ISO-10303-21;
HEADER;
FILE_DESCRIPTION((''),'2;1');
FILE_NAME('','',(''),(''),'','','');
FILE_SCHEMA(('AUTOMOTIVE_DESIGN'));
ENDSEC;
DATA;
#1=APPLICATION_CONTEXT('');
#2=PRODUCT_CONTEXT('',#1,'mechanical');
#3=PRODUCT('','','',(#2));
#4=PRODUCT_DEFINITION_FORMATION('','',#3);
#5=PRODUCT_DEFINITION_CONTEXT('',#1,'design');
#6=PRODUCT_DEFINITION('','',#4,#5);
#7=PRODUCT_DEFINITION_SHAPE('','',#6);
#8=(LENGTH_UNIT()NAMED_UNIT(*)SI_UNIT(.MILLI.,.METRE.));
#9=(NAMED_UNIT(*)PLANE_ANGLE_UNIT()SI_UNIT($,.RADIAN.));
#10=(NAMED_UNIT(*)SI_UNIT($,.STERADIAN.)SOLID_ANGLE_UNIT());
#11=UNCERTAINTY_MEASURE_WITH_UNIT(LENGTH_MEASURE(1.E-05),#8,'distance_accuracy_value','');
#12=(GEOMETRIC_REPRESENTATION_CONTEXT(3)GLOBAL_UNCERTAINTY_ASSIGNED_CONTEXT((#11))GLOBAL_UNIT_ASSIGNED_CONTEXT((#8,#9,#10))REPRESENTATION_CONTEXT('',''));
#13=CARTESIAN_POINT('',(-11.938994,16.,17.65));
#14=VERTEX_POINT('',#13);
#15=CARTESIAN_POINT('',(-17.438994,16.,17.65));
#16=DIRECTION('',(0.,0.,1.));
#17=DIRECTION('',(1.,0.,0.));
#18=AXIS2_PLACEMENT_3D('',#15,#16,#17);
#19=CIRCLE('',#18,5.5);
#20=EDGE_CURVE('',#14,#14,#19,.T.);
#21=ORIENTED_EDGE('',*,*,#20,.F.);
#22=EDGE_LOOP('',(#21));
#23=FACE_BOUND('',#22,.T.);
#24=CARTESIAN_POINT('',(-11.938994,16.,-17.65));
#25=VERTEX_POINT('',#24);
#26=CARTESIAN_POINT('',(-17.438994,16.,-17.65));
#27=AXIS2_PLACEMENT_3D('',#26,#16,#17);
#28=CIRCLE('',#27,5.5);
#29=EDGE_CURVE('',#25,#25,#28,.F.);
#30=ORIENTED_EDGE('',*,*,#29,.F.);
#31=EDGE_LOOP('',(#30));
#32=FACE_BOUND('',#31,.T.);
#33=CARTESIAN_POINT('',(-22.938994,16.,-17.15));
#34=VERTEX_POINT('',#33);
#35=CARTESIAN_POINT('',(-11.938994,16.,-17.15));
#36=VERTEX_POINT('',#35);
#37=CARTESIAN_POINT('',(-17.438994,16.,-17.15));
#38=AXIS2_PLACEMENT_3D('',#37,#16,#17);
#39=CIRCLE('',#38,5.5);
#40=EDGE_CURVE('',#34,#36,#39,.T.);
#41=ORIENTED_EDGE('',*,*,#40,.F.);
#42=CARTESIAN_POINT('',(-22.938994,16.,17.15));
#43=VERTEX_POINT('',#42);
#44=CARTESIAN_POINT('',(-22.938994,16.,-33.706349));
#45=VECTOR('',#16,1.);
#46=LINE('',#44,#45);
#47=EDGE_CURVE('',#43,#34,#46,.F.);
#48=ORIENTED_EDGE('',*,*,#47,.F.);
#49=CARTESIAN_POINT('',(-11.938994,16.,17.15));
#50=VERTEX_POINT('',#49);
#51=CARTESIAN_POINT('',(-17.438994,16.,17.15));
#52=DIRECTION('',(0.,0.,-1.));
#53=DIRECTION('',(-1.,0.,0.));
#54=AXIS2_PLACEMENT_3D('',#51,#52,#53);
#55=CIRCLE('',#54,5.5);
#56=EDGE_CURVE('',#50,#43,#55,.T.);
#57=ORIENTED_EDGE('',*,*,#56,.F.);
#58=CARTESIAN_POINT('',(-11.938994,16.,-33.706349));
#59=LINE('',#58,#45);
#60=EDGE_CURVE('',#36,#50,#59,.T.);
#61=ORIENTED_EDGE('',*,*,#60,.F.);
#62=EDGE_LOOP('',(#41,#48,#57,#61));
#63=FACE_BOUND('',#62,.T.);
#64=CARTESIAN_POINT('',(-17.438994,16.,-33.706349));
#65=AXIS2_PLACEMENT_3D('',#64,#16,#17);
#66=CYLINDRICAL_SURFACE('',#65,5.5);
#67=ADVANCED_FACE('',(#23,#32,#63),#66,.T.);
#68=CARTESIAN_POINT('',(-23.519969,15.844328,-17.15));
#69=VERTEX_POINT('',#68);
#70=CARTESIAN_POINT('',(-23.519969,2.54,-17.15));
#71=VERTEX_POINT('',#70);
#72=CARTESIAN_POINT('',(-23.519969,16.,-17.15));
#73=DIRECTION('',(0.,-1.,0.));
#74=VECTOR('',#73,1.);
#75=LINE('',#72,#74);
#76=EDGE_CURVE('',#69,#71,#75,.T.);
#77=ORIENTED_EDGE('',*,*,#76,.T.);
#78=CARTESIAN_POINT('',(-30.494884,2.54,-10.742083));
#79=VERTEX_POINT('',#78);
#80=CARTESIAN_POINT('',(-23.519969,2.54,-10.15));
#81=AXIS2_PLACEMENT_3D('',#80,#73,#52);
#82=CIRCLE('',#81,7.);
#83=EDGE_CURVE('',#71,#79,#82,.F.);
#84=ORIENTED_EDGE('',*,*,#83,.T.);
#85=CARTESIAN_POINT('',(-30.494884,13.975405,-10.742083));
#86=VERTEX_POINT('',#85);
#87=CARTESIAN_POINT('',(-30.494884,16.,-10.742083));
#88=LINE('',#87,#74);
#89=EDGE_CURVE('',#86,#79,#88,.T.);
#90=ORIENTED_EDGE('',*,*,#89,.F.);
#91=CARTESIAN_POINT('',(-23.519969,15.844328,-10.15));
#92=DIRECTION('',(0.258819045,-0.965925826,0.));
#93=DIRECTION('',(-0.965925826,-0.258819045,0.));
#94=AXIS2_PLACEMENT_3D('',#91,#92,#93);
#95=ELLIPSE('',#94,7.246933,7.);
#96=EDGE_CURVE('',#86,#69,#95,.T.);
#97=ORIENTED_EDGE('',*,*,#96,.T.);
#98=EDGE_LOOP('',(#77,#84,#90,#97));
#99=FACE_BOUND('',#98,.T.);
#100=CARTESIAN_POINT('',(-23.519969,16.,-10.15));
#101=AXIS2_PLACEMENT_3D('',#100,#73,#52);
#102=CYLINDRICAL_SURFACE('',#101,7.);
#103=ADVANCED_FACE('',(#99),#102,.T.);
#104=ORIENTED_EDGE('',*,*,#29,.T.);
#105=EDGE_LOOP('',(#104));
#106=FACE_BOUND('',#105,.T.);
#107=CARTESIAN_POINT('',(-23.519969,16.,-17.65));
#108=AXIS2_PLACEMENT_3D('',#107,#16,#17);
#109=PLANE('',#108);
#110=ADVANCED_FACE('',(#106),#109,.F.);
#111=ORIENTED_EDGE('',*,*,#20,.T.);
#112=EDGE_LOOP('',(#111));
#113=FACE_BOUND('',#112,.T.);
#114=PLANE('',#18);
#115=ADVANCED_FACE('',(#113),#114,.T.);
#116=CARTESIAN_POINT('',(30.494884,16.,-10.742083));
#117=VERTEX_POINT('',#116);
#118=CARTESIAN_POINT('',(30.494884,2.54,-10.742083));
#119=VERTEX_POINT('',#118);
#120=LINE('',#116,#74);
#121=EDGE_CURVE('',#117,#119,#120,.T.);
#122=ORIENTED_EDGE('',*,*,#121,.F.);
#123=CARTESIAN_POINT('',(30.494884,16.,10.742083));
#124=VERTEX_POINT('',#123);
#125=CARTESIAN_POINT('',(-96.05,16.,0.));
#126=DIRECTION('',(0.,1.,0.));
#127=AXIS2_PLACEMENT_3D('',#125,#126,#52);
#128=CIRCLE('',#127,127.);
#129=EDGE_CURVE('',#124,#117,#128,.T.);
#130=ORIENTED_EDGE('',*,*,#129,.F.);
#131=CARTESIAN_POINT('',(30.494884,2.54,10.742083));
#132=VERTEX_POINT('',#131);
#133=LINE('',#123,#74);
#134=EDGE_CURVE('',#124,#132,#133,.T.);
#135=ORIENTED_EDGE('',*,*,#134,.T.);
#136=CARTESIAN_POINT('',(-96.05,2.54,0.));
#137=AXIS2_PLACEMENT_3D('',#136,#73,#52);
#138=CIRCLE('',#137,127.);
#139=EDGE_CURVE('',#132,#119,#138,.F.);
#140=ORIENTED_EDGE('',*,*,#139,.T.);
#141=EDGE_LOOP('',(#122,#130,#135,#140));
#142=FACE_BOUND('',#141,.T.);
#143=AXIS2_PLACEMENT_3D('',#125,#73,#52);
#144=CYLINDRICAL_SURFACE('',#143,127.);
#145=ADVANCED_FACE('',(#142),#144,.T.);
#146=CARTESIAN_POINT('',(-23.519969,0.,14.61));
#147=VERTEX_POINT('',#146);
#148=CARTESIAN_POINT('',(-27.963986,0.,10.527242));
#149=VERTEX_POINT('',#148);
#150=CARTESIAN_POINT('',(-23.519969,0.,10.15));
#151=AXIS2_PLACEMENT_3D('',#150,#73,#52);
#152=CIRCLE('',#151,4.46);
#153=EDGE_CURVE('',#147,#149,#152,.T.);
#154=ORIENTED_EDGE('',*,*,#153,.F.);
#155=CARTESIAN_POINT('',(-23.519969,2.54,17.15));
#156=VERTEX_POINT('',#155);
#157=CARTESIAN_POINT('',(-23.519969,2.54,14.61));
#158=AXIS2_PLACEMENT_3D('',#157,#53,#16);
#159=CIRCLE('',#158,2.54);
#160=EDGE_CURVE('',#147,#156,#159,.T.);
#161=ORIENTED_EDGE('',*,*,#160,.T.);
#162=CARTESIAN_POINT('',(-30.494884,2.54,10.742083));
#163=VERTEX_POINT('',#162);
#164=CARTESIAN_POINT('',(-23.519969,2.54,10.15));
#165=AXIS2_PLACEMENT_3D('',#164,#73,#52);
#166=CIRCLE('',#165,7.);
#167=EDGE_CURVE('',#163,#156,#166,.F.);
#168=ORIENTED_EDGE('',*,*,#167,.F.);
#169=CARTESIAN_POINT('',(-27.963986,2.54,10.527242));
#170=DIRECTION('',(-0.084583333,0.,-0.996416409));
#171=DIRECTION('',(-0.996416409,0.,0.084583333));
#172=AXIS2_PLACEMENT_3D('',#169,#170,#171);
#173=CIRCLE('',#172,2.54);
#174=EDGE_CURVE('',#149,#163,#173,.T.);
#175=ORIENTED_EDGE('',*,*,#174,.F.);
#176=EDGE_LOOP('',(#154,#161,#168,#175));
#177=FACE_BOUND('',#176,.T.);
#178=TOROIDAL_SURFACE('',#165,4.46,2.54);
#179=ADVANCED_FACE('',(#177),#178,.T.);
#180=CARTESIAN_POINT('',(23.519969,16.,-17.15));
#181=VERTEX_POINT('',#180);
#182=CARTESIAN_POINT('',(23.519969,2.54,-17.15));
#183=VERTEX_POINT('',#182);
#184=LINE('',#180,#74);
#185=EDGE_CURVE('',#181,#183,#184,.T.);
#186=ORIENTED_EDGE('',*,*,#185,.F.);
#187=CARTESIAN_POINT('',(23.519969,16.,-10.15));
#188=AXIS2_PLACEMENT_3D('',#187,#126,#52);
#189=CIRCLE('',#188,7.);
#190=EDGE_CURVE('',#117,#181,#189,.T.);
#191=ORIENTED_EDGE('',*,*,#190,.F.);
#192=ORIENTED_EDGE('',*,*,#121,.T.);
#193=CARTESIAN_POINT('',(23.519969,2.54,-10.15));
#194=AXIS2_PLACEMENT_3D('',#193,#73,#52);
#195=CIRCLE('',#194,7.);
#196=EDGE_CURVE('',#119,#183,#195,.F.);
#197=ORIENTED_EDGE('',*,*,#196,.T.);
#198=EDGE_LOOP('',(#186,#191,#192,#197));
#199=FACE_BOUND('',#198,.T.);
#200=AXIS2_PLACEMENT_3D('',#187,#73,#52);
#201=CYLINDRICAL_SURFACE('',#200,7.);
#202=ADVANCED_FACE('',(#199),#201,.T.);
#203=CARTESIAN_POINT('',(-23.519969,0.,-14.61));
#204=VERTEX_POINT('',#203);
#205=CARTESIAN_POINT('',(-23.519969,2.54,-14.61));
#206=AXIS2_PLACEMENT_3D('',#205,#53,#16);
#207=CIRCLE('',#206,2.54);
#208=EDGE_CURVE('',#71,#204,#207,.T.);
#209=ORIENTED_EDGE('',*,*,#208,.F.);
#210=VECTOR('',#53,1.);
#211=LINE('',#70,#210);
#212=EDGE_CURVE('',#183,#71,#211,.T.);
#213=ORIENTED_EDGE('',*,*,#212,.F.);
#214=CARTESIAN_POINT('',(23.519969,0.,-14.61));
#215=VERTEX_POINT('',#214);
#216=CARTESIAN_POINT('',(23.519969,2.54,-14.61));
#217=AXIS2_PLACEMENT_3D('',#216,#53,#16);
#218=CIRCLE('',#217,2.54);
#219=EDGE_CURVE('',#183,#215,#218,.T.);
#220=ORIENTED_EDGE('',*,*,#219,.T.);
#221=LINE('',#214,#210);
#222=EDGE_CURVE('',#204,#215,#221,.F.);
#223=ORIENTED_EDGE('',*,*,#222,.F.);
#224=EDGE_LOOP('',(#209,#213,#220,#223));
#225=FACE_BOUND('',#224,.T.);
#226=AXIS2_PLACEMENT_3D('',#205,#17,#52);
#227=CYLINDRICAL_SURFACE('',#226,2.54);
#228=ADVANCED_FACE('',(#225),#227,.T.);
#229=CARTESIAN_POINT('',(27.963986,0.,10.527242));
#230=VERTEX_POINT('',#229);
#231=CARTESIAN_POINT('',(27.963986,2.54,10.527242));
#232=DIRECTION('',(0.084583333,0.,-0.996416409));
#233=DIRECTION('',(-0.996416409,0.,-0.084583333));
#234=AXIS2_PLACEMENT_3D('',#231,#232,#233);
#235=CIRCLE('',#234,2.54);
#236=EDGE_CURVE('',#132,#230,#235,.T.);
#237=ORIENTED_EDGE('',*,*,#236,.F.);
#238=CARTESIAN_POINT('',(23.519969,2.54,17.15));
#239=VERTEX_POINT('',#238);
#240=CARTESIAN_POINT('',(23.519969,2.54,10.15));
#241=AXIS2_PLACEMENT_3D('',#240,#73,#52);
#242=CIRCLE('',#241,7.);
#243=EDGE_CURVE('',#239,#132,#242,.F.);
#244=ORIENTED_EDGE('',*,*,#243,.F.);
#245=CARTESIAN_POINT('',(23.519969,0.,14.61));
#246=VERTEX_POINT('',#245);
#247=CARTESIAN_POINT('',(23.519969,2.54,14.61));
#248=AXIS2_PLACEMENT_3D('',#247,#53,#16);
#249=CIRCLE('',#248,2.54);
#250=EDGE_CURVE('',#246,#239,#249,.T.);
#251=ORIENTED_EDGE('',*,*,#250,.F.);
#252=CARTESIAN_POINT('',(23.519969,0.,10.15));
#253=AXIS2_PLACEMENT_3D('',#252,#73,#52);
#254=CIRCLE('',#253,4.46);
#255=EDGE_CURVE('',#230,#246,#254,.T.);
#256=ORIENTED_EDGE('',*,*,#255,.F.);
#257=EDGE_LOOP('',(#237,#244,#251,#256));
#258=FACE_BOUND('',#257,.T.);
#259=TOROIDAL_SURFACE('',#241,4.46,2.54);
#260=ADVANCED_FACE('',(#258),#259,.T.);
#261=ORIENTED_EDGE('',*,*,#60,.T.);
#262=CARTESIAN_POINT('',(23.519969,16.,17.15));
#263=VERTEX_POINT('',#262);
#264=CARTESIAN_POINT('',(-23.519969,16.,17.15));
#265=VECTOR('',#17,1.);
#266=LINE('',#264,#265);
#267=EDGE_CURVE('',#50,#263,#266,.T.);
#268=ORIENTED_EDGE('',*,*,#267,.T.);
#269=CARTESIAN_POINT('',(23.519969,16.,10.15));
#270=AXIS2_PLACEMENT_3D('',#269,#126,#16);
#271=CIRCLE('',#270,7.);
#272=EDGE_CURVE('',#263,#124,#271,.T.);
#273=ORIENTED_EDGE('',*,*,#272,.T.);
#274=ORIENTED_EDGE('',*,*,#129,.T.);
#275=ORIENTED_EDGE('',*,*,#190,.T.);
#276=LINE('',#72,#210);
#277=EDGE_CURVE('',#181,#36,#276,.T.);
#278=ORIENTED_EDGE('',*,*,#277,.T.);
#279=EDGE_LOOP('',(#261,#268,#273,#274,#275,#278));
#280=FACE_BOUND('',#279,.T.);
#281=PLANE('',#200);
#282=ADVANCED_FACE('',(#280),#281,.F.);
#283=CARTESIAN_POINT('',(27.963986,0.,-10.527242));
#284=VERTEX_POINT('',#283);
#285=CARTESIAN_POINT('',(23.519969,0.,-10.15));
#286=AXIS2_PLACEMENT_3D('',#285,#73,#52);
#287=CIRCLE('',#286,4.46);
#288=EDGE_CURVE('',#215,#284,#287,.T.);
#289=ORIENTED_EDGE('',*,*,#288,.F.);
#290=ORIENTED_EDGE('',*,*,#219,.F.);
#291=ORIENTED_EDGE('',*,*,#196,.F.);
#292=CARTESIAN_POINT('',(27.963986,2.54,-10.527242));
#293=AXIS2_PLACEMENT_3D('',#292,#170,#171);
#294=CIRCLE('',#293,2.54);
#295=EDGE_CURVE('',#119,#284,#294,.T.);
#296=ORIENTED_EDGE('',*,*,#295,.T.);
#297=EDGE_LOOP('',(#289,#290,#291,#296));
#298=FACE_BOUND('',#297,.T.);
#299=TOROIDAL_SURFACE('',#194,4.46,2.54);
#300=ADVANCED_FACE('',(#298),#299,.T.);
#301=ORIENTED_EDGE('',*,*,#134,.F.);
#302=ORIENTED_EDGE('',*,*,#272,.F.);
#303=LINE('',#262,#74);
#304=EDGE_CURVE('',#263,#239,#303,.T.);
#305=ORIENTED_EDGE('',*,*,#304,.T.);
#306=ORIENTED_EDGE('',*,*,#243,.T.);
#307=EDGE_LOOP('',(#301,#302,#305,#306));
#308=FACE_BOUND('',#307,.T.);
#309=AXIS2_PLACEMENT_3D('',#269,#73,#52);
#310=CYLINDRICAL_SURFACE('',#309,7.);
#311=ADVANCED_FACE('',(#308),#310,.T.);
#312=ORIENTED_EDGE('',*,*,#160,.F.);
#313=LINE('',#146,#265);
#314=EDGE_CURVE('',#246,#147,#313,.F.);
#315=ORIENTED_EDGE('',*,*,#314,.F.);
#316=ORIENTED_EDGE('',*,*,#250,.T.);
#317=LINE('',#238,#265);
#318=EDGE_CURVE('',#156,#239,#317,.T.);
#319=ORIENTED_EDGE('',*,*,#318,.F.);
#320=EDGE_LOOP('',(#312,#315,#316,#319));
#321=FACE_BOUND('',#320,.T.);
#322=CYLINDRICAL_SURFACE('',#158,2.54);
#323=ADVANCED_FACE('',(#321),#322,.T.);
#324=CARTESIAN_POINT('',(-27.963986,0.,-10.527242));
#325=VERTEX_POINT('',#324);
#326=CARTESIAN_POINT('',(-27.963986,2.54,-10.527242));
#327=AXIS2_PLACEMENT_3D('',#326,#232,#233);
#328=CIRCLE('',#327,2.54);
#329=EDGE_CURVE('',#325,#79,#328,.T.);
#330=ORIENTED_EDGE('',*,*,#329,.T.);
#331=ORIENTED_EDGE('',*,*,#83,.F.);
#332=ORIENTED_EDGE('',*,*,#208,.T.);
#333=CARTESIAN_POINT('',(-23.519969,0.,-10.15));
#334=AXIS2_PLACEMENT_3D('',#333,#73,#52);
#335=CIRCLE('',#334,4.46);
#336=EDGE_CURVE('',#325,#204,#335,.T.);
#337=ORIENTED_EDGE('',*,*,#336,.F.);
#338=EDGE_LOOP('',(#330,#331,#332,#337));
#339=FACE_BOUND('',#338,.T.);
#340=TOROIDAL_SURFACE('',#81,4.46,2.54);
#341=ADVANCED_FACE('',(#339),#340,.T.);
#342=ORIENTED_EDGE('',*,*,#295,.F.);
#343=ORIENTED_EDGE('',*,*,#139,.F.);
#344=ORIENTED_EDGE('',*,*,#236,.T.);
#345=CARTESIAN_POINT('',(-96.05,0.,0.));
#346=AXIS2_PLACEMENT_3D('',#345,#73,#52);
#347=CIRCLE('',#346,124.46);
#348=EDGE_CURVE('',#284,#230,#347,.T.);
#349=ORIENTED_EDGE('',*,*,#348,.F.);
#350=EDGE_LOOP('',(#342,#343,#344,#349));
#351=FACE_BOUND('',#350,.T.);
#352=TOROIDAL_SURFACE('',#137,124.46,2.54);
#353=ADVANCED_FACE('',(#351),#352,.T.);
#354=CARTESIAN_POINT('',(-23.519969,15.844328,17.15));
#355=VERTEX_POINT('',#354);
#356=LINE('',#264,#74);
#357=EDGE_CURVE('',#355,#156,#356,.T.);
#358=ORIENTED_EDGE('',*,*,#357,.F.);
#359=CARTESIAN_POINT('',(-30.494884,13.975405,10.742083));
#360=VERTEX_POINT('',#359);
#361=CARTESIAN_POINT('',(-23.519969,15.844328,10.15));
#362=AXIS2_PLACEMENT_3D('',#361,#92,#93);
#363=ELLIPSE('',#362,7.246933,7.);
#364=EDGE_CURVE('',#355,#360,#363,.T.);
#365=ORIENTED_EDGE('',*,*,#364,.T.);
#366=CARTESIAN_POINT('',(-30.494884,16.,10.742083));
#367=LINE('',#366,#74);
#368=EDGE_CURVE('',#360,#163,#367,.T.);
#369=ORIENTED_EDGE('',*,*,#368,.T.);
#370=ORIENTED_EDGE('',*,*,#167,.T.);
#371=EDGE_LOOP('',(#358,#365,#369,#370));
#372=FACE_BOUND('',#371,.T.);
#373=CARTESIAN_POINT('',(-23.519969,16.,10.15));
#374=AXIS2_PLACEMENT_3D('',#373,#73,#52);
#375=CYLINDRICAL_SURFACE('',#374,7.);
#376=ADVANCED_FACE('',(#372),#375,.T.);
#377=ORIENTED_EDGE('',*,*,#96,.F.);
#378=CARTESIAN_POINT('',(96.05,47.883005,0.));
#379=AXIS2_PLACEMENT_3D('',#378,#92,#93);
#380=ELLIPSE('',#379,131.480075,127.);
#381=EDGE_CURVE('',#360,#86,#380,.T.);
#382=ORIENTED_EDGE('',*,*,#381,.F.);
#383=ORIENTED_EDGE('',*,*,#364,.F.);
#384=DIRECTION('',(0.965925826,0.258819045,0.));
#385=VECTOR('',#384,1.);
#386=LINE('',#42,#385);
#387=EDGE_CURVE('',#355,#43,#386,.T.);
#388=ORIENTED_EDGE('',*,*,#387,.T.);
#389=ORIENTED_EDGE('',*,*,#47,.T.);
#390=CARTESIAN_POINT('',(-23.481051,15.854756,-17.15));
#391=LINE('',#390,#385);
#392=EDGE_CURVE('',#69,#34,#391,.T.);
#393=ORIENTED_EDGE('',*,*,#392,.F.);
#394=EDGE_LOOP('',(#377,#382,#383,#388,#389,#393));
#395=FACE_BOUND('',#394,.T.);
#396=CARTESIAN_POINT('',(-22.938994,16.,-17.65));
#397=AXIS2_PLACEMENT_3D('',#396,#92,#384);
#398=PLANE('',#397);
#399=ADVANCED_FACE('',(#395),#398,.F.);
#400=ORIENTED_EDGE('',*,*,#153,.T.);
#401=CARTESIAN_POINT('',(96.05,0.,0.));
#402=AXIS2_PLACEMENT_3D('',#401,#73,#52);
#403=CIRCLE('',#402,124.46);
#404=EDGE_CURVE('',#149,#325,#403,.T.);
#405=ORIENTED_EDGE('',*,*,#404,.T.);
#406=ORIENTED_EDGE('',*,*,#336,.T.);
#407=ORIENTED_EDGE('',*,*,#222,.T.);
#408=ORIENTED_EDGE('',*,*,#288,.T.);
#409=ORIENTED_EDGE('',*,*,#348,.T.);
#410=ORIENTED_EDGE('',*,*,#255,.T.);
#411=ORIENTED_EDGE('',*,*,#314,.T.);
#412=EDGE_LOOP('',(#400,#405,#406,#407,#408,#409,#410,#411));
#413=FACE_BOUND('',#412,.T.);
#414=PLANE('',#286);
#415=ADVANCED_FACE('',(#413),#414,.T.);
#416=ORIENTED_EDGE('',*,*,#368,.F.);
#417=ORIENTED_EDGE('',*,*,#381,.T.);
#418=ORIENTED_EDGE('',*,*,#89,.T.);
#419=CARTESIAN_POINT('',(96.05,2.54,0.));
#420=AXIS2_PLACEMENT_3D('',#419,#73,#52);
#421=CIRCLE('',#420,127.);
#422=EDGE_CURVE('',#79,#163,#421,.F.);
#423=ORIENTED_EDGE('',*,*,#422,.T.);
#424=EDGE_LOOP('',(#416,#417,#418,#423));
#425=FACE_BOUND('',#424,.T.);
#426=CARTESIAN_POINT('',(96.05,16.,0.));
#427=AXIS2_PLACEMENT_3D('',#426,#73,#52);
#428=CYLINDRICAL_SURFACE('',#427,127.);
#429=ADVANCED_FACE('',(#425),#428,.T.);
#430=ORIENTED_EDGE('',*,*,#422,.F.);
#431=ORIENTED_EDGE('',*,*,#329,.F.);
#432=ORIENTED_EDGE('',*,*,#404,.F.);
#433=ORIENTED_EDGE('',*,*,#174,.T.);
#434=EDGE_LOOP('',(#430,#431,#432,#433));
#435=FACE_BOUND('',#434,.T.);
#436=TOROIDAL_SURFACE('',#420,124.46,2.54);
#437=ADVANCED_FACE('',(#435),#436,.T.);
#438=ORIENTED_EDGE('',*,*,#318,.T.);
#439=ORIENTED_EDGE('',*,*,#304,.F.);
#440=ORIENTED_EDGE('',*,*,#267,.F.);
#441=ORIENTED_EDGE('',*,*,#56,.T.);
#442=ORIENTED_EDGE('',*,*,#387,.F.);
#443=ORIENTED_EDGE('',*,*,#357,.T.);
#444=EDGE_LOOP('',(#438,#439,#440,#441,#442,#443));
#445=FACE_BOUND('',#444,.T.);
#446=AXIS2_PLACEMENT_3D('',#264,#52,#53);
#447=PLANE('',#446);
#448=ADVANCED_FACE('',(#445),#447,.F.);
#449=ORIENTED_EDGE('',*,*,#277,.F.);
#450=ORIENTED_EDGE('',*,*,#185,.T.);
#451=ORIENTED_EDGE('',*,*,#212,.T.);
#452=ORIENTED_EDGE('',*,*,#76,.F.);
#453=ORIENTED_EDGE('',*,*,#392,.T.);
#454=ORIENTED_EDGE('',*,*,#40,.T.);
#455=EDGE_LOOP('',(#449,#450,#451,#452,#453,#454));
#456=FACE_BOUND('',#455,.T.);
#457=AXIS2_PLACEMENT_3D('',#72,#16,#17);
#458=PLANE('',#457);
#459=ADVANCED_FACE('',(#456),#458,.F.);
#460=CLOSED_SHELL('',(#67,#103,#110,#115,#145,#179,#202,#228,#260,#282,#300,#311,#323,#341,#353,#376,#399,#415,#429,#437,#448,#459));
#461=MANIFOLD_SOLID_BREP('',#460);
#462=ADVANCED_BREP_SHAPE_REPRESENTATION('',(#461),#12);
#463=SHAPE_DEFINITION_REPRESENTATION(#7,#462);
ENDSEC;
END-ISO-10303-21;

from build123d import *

# Parameters (mm, degrees)
BOSS_EXTRUDE1_DEPTH      = 16
FILLET1_R                = 2.54
BOSS_EXTRUDE2_DEPTH      = 0.5
BOSS_EXTRUDE2_DEPTH_BACK = 34.8
SKETCH3_R                = 5.5
CUT_EXTRUDE2_DEPTH       = 52.295150843


with BuildPart() as part:
    # Sketch1 → Boss-Extrude1 (new body)
    with BuildSketch(Plane(origin=(0, 0, 0), x_dir=(1, 0, 0), z_dir=(0, 1, 0))):
        with BuildLine():
            Line((-23.519969056, 17.15), (23.519969056, 17.15))
            ThreePointArc((23.519969056, 17.15), (28.255759205, 15.304831876), (30.494883917, 10.742083333))
            ThreePointArc((30.494883917, 10.742083333), (30.95, 0), (30.494883917, -10.742083333))
            ThreePointArc((30.494883917, -10.742083333), (28.255759205, -15.304831876), (23.519969056, -17.15))
            Line((23.519969056, -17.15), (-23.519969056, -17.15))
            ThreePointArc((-23.519969056, -17.15), (-28.255759205, -15.304831876), (-30.494883917, -10.742083333))
            ThreePointArc((-30.494883917, -10.742083333), (-30.95, 0), (-30.494883917, 10.742083333))
            ThreePointArc((-30.494883917, 10.742083333), (-28.255759205, 15.304831876), (-23.519969056, 17.15))
        make_face()
    extrude(amount=BOSS_EXTRUDE1_DEPTH)

    # Fillet1
    fillet1_edges = [part.edges().sort_by_distance(p)[0] for p in [
        (-30.95, 0, 0),
        (-28.255759205, 0, -15.304831876),
        (0, 0, -17.15),
        (28.255759205, 0, -15.304831876),
        (30.95, 0, 0),
        (28.255759205, 0, 15.304831876),
        (0, 0, 17.15),
        (-28.255759205, 0, 15.304831876),
    ]]
    fillet(fillet1_edges, radius=FILLET1_R)

    # Sketch3 → Boss-Extrude2 (add, two sides: drawn at the far end of the back side and taken through both)
    with BuildSketch(Plane.XY.offset(17.15).offset(-BOSS_EXTRUDE2_DEPTH_BACK)):
        with Locations((-17.438993952, 16)):
            Circle(SKETCH3_R)
    extrude(amount=BOSS_EXTRUDE2_DEPTH + BOSS_EXTRUDE2_DEPTH_BACK)

    # Sketch5 → Cut-Extrude2 (cut, through all)
    with BuildSketch(Plane.XY.offset(17.15)):
        Polygon((-22.938993952, 16), (-30.95, 13.853457399), (-30.95, 16), align=None)
    extrude(amount=-CUT_EXTRUDE2_DEPTH, mode=Mode.SUBTRACT)


solid = part.part
